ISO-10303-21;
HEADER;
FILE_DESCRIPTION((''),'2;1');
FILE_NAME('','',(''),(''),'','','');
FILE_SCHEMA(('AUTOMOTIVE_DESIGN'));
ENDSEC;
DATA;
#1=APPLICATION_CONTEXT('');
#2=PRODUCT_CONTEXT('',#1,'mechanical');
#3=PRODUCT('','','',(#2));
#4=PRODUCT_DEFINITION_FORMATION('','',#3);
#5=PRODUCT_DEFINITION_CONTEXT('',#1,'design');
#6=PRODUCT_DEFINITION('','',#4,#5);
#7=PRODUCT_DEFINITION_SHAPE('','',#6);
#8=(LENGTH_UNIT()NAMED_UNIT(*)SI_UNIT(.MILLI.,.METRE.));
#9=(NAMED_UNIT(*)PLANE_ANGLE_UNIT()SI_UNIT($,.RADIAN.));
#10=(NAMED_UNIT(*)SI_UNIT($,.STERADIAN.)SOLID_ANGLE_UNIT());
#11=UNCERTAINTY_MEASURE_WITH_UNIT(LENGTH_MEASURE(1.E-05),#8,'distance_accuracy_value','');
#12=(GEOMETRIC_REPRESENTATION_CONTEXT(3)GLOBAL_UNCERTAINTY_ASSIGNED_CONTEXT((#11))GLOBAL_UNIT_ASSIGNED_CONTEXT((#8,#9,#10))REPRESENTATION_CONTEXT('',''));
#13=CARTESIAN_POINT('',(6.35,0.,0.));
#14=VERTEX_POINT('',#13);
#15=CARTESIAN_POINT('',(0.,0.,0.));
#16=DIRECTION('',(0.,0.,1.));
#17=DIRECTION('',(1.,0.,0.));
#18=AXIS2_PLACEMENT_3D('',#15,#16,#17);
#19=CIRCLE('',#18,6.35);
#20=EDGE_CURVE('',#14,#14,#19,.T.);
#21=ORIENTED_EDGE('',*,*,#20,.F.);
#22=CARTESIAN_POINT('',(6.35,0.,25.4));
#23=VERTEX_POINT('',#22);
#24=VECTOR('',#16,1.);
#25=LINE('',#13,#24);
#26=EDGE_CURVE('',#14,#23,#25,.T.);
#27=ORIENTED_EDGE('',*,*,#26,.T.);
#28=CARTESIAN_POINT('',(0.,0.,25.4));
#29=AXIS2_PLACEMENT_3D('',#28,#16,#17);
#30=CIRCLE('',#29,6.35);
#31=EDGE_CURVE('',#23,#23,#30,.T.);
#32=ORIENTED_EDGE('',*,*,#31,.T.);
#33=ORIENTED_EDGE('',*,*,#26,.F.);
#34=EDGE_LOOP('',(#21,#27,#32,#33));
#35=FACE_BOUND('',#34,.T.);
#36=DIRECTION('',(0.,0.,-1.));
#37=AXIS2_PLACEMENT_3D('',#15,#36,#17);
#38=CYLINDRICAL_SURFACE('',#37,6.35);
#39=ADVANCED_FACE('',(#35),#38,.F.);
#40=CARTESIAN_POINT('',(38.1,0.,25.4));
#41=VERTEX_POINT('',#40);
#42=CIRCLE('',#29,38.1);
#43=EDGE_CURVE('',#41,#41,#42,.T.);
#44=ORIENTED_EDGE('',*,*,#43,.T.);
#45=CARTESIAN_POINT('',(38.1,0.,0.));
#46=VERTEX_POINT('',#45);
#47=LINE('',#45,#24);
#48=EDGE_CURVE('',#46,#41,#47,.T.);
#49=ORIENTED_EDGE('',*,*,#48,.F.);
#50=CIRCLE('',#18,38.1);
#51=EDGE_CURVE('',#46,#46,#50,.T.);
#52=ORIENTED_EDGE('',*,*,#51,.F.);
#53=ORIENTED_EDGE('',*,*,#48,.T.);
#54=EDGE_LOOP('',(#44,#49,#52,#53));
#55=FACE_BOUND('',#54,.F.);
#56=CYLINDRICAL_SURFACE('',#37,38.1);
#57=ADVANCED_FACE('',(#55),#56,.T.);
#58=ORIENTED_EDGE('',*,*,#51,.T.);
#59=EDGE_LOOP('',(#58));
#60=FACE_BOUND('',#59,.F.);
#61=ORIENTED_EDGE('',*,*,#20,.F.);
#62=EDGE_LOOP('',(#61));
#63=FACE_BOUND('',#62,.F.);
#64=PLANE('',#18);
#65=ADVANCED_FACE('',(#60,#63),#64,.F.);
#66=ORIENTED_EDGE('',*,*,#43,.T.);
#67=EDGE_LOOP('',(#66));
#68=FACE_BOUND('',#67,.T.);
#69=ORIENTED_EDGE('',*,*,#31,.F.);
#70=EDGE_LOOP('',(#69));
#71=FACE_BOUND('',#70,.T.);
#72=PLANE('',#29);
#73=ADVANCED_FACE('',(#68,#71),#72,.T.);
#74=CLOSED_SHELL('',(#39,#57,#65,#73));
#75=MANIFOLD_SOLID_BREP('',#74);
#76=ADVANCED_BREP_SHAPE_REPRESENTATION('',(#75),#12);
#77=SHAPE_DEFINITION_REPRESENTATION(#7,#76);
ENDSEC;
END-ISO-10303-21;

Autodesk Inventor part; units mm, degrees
ref_plane "YZ Plane" through (0, 0, 0) normal (1, 0, 0) x (0, 1, 0)
ref_plane "XZ Plane" through (0, 0, 0) normal (0, 1, 0) x (-1, 0, 0)
ref_plane "XY Plane" through (0, 0, 0) normal (0, 0, 1) x (1, 0, 0)
sketch "Sketch1" plane through (0, 0, 0) normal (0, 0, 1) x (1, 0, 0)
  circle A0 centre (0, 0) radius 38.1
  circle A1 centre (0, 0) radius 6.35
  dimension "d0" = 76.2
  dimension "d1" = 12.7
extrude "Extrusion2" add sketch "Sketch1" along normal blind 25.4
properties part number "Back Wheel"
